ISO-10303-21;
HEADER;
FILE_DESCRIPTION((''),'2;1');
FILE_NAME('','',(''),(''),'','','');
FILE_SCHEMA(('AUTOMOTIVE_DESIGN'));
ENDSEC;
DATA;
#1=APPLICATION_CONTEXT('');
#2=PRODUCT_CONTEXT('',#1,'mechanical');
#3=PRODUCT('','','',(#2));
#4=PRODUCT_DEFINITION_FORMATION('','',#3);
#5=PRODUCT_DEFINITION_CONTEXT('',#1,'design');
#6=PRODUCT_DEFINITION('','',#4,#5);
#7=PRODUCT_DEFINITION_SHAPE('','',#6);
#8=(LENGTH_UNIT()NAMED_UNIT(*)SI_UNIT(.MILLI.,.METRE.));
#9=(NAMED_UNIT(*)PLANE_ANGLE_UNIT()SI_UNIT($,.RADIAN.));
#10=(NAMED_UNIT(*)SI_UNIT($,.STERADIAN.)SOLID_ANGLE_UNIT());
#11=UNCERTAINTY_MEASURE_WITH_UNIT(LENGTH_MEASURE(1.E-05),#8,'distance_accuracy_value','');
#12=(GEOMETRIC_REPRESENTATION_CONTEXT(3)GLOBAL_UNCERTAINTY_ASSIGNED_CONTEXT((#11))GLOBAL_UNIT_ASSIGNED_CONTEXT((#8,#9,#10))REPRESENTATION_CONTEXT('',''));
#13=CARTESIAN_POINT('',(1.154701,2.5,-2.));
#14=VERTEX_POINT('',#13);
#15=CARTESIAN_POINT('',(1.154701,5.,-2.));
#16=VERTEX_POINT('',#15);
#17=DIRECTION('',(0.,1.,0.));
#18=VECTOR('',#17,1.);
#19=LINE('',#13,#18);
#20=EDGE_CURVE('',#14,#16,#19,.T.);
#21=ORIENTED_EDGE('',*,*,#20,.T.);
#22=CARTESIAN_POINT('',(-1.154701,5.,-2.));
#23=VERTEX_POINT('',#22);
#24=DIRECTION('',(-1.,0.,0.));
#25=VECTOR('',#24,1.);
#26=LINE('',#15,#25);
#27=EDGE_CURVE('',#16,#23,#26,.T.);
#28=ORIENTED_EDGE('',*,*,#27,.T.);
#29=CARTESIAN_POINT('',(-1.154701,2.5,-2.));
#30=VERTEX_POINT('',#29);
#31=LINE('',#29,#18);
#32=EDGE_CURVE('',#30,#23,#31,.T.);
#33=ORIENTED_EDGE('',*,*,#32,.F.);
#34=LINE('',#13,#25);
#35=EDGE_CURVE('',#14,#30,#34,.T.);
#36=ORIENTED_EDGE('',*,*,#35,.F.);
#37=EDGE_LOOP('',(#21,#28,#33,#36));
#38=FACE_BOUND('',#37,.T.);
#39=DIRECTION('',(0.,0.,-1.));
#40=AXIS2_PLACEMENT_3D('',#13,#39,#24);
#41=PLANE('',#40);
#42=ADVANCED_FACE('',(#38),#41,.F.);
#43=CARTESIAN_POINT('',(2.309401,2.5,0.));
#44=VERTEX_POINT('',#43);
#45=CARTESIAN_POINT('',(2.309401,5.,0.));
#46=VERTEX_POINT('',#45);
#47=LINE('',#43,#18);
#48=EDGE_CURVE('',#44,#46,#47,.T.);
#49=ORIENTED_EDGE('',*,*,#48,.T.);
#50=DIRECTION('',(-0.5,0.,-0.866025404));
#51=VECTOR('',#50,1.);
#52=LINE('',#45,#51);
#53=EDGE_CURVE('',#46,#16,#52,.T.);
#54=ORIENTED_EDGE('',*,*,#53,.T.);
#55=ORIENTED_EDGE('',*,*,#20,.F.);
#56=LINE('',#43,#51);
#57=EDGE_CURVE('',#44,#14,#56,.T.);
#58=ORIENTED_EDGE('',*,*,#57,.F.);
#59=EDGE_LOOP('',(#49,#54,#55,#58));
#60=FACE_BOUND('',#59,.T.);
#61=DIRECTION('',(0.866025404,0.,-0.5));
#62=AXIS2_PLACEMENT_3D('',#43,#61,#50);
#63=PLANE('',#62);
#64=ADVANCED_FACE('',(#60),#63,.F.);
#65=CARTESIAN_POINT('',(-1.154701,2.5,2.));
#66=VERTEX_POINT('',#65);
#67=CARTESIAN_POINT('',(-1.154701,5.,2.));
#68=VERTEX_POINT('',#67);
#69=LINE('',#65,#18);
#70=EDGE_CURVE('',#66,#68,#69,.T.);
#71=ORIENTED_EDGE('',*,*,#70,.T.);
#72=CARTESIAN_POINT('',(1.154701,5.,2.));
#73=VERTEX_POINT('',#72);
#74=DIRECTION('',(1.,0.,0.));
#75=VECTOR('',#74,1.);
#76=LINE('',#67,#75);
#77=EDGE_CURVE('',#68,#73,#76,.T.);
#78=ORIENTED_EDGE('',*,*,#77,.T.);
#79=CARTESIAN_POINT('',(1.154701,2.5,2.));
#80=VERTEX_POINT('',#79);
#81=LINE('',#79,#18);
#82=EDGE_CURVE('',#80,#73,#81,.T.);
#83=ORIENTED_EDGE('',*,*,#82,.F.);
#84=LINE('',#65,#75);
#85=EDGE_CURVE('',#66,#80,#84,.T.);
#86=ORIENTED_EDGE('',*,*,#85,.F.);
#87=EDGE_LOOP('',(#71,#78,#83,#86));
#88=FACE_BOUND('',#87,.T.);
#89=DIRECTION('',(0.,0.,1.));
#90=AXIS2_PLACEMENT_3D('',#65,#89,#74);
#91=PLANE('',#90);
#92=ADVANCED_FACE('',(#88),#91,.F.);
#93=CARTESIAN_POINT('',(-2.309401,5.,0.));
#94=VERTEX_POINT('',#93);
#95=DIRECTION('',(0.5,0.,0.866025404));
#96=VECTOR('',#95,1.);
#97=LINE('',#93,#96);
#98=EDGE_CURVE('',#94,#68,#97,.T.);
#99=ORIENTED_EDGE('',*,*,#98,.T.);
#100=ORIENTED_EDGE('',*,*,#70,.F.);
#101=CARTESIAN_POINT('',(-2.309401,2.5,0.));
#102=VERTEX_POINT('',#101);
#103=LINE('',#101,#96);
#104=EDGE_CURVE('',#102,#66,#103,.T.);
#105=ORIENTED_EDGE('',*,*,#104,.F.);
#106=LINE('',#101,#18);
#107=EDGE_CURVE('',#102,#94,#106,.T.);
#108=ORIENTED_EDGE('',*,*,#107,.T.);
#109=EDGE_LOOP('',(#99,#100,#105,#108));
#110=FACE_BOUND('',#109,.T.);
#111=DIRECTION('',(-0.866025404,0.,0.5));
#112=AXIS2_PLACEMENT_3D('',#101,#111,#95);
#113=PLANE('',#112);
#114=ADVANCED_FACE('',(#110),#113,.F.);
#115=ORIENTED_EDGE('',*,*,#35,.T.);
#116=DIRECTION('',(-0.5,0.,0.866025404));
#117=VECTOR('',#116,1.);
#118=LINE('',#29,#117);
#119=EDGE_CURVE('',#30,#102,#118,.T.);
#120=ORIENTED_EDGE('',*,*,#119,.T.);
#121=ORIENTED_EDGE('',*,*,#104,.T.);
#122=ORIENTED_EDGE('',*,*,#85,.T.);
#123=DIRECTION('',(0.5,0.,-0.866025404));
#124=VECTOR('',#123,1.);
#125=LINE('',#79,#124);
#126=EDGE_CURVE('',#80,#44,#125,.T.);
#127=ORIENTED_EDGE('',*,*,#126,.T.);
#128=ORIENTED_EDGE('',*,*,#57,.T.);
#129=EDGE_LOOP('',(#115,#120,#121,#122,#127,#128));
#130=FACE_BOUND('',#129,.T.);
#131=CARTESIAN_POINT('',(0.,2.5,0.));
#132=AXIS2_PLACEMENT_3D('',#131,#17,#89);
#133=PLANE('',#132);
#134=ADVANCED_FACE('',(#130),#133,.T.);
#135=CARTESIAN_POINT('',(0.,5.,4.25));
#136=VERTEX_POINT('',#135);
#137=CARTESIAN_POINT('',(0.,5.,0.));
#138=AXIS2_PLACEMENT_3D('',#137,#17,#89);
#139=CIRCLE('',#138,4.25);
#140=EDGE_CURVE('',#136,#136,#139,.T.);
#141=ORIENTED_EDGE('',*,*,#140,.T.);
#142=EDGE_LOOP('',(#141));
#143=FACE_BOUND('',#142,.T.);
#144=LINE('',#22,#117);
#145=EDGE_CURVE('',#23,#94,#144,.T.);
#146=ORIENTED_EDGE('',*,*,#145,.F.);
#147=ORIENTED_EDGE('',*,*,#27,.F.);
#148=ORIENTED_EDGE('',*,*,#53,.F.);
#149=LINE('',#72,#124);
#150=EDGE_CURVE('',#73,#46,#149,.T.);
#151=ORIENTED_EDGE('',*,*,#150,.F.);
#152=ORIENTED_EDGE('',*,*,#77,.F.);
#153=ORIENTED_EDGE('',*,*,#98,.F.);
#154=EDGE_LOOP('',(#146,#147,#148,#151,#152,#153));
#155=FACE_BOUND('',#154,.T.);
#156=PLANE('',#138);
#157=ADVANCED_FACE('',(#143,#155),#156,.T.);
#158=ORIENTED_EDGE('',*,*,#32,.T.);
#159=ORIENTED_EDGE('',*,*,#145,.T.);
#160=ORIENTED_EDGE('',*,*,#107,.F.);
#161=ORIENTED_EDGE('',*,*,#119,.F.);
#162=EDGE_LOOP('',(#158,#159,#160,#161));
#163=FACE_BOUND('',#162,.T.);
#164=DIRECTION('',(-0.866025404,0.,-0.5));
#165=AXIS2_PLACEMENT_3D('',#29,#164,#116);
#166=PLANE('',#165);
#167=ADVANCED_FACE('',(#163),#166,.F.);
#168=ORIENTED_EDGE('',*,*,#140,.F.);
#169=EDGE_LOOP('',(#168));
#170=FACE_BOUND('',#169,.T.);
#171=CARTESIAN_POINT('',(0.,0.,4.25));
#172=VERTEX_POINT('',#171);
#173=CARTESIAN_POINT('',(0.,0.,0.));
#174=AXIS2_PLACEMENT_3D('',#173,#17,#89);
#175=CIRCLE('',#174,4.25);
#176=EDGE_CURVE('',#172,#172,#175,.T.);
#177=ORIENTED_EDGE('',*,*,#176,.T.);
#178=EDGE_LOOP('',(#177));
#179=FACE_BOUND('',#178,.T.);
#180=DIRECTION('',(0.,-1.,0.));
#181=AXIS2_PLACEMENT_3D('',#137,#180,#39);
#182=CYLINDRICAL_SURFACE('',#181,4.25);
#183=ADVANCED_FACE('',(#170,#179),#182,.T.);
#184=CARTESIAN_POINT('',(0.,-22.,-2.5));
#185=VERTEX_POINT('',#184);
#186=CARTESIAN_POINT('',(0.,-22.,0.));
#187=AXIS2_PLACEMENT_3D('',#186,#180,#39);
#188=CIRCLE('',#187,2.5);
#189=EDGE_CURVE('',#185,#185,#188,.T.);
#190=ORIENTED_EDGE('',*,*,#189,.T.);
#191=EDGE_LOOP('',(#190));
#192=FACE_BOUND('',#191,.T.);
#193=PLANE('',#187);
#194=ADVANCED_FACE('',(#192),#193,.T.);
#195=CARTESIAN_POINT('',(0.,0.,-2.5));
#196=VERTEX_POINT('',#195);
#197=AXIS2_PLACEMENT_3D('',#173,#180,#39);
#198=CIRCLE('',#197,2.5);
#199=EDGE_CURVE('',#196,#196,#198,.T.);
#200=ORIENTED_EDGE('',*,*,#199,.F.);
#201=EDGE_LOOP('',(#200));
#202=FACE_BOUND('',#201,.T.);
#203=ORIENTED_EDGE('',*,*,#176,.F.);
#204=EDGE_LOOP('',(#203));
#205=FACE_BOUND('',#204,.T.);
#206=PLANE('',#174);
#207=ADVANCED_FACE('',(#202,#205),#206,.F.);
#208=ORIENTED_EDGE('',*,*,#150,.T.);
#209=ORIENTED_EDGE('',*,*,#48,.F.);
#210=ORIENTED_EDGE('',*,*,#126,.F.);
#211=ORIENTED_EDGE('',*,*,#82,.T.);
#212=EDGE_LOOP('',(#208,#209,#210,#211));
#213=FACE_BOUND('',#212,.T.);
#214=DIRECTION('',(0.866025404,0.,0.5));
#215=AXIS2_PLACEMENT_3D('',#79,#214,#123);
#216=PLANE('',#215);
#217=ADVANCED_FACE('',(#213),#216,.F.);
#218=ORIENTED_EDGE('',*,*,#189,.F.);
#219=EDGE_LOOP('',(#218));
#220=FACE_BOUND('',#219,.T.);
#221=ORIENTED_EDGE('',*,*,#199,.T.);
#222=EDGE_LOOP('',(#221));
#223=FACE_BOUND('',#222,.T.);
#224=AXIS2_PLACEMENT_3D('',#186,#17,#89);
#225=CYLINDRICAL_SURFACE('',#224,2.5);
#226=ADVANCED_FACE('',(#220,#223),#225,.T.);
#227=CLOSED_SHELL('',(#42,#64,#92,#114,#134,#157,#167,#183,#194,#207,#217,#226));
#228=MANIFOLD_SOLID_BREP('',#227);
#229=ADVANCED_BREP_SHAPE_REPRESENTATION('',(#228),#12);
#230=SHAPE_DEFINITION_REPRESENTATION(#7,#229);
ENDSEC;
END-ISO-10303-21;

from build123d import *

# Parameters (mm, degrees)
SKETCH_1_R          = 4.25
EXTRUDE_1_DEPTH     = 5
CUT_EXTRUDE_1_DEPTH = 2.5
SKETCH_3_R          = 2.5
EXTRUDE_2_DEPTH     = 22


with BuildPart() as part:
    # 草图1 → 凸台-拉伸1 (new body)
    with BuildSketch(Plane(origin=(0, 0, 0), x_dir=(1, 0, 0), z_dir=(0, 1, 0))):
        Circle(SKETCH_1_R)
    extrude(amount=EXTRUDE_1_DEPTH)

    # 草图2 → 切除-拉伸1 (cut)
    with BuildSketch(Plane(origin=(0, 5, 0), x_dir=(1, 0, 0), z_dir=(0, 1, 0))):
        Polygon((2.309401077, 0), (1.154700538, 2), (-1.154700538, 2), (-2.309401077, 0), (-1.154700538, -2), (1.154700538, -2), align=None)
    extrude(amount=-CUT_EXTRUDE_1_DEPTH, mode=Mode.SUBTRACT)

    # 草图3 → 凸台-拉伸2 (add)
    with BuildSketch(Plane.XZ):
        Circle(SKETCH_3_R)
    extrude(amount=EXTRUDE_2_DEPTH)


solid = part.part
